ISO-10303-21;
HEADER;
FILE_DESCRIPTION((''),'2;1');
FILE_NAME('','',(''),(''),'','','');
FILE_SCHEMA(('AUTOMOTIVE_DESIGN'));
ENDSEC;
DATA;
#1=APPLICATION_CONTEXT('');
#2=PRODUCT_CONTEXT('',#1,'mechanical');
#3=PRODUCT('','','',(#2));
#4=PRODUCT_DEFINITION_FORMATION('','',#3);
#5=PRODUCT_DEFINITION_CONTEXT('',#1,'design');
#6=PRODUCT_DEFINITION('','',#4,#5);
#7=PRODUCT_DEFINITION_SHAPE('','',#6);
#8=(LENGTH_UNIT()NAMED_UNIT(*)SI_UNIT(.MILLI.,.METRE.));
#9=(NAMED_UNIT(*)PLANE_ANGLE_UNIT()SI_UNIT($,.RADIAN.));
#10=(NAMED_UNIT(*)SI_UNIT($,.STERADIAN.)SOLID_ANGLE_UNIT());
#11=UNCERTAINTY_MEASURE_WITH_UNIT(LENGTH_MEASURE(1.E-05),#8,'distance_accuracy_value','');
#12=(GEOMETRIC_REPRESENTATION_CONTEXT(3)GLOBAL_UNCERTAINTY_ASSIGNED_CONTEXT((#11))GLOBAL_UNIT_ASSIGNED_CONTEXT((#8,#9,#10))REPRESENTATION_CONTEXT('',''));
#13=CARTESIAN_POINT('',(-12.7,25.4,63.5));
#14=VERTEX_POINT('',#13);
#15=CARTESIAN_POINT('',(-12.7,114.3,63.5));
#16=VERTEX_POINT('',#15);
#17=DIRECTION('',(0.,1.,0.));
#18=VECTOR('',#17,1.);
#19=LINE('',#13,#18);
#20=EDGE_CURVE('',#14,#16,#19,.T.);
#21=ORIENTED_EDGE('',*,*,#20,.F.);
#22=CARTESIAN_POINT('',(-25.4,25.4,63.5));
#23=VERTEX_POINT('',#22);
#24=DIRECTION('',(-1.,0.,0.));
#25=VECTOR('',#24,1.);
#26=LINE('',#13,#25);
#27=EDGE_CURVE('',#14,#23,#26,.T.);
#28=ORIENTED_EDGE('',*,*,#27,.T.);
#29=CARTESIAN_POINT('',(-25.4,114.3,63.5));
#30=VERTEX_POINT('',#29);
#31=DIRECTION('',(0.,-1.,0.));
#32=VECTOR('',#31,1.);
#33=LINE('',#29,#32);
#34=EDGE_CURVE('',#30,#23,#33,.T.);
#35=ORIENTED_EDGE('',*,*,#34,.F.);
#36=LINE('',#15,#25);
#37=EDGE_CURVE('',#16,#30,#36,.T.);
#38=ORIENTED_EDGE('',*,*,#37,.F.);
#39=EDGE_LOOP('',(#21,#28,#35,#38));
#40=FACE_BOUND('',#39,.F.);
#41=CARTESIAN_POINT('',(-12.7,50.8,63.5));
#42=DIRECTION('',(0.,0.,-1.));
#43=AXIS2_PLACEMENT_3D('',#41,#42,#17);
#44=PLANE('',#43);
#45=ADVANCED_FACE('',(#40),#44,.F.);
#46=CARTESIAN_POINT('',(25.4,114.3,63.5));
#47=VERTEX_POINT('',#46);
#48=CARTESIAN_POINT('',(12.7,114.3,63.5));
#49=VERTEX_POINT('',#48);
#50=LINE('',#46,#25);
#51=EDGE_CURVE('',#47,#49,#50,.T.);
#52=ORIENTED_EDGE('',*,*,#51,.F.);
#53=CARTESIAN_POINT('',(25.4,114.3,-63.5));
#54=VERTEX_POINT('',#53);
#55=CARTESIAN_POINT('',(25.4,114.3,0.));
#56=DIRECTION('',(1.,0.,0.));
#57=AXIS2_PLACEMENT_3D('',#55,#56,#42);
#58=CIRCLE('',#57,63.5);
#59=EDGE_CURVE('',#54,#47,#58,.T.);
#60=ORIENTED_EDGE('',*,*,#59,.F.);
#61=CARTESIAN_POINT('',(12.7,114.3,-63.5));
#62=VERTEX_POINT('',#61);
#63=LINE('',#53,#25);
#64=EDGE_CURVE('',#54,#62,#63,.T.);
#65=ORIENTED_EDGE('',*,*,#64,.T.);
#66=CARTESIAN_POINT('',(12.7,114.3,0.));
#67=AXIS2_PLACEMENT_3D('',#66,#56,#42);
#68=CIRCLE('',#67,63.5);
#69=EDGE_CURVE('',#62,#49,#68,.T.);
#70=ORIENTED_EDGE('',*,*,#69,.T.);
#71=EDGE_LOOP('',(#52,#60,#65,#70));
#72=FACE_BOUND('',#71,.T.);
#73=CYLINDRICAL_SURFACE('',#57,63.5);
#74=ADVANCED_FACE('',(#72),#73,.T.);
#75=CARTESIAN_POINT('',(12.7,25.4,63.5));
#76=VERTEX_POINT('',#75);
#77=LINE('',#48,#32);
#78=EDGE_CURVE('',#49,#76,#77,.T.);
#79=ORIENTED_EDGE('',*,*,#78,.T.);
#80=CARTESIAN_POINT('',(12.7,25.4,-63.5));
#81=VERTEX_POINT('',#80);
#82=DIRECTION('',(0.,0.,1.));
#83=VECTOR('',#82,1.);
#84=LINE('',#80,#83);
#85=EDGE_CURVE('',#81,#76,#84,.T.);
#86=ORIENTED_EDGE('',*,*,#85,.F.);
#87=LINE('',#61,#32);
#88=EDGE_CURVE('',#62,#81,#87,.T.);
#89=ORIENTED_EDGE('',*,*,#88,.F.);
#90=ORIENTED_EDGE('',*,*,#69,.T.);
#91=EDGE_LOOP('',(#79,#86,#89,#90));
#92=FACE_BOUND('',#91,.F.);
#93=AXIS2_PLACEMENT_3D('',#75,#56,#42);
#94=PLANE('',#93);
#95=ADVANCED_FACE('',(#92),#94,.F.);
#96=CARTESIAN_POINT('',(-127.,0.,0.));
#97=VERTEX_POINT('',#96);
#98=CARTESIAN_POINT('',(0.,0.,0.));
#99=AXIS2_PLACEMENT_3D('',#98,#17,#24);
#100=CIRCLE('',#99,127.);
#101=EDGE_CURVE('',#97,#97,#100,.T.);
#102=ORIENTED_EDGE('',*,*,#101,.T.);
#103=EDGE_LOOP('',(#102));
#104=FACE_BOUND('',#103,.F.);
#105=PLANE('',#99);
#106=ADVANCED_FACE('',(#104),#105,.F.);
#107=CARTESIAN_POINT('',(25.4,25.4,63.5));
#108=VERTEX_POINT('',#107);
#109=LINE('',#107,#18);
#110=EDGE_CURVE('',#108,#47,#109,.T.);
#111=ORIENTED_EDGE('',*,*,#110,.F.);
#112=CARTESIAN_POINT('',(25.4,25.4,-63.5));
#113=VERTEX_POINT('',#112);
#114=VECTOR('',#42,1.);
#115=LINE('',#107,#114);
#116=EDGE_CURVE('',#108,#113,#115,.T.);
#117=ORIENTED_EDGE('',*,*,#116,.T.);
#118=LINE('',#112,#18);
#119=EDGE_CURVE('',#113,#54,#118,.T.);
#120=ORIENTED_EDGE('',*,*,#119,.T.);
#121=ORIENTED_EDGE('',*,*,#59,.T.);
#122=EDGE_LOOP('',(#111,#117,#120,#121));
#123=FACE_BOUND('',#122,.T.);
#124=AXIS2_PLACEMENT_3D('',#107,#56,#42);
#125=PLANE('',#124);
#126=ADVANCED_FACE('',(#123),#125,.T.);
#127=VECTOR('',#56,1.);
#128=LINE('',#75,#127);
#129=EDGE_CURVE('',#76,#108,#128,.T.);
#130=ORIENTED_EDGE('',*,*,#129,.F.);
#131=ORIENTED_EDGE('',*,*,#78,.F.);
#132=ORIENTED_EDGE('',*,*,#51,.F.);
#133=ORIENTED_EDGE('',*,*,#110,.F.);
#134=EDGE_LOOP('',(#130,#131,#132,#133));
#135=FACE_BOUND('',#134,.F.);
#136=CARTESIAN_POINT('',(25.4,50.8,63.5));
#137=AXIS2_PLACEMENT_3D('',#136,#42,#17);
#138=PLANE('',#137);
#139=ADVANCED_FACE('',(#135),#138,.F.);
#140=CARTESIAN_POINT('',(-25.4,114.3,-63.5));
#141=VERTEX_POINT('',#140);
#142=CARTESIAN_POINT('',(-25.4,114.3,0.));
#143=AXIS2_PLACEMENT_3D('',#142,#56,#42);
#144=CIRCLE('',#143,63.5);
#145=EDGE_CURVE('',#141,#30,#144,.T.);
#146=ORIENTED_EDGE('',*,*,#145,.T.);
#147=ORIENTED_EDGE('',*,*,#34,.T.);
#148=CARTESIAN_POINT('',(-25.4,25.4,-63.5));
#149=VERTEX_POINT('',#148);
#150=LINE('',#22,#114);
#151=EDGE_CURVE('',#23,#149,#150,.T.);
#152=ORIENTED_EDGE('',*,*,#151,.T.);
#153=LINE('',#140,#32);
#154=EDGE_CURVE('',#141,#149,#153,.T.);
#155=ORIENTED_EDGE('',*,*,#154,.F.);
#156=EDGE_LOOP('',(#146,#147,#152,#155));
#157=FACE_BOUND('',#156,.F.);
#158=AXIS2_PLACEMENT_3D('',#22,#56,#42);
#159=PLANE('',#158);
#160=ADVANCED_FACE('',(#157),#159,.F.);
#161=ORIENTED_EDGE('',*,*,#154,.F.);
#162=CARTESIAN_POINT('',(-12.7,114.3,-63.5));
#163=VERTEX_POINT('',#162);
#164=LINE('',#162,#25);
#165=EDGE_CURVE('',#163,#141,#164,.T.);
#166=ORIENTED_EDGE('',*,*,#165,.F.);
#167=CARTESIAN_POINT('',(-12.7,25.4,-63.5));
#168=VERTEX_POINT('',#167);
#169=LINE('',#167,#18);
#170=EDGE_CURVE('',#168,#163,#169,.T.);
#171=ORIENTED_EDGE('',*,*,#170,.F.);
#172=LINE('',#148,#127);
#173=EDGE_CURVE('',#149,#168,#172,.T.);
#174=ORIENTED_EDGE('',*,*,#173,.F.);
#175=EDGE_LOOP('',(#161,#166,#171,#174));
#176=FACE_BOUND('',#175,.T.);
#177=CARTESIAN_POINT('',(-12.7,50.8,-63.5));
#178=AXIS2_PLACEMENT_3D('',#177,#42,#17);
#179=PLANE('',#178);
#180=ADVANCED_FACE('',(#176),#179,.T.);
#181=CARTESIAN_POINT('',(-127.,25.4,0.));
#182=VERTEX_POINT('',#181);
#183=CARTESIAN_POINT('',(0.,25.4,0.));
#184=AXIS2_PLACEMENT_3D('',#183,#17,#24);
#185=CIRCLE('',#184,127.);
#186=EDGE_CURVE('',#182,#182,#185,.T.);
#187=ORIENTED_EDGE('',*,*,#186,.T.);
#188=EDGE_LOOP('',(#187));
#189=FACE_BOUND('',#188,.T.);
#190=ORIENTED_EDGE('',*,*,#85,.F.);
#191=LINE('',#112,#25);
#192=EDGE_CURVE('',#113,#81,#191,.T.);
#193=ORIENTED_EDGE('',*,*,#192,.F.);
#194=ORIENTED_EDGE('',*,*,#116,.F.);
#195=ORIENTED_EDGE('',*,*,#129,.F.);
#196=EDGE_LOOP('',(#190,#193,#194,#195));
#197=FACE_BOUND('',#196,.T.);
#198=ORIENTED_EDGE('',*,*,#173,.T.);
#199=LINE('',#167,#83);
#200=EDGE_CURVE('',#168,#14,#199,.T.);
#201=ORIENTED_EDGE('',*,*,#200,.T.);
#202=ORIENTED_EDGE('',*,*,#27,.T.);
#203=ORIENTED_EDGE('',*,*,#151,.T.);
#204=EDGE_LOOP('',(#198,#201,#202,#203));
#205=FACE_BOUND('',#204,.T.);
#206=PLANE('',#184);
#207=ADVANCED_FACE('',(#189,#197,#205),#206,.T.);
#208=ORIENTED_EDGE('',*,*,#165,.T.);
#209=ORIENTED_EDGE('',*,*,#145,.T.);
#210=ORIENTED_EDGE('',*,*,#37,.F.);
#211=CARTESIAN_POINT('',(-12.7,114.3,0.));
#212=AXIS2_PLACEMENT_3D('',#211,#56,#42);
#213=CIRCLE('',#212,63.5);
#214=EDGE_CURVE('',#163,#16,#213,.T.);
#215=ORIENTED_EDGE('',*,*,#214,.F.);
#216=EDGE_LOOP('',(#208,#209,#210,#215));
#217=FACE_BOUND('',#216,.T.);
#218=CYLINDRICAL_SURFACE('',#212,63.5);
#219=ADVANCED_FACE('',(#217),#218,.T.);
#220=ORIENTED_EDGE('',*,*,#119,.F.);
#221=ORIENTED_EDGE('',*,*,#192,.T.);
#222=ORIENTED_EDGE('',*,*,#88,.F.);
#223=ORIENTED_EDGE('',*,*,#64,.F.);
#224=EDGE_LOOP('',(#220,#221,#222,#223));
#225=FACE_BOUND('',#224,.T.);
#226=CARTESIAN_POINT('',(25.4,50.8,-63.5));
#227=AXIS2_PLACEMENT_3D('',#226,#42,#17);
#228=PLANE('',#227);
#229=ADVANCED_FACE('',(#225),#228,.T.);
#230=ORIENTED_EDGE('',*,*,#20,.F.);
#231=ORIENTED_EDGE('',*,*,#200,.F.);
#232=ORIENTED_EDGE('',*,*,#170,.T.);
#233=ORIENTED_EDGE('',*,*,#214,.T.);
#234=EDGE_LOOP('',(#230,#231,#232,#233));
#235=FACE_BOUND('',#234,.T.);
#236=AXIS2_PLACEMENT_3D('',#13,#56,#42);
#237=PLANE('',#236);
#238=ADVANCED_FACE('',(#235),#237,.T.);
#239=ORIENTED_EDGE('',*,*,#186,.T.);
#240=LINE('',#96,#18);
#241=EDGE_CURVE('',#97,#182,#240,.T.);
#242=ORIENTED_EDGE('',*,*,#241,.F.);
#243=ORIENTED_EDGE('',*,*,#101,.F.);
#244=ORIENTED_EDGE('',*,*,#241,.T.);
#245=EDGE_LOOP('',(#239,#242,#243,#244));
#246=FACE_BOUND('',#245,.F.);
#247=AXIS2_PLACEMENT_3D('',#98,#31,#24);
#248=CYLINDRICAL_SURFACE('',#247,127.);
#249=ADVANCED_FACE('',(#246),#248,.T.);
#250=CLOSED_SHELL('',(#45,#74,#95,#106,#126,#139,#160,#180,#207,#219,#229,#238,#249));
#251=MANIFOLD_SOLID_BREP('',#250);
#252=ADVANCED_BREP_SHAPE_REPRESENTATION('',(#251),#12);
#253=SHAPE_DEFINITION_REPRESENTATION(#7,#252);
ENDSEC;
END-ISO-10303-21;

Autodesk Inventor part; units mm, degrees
ref_plane "YZ Plane" through (0, 0, 0) normal (1, 0, 0) x (0, 1, 0)
ref_plane "XZ Plane" through (0, 0, 0) normal (0, 1, 0) x (-1, 0, 0)
ref_plane "XY Plane" through (0, 0, 0) normal (0, 0, 1) x (1, 0, 0)
sketch "Sketch1" plane through (0, 0, 0) normal (0, 1, 0) x (-1, 0, 0)
  circle A0 centre (0, 0) radius 127
  dimension "swivelBaseDiameter" = 254
extrude "Extrusion1" add sketch "Sketch1" along normal blind 25.4
sketch "Sketch2" plane through (0, 25.4, 0) normal (0, 1, 0) x (1, 0, 0)
  circle A0 centre (0, 0) radius 127 construction
  line L0 (0, -127) -> (0, 127) construction
  line L1 (-25.4, 63.5) -> (-12.7, 63.5)
  line L2 (-12.7, 63.5) -> (-12.7, -63.5)
  line L3 (-12.7, -63.5) -> (-25.4, -63.5)
  line L4 (-25.4, -63.5) -> (-25.4, 63.5)
  line L5 (-127, 0) -> (127, 0) construction
  line L6 (25.4, 63.5) -> (12.7, 63.5)
  line L7 (12.7, 63.5) -> (12.7, -63.5)
  line L8 (12.7, -63.5) -> (25.4, -63.5)
  line L9 (25.4, -63.5) -> (25.4, 63.5)
  point P0 (-12.7, 0)
  point P1 (12.7, 0)
  dimension "armConnectorSeparation" = 12.7
  dimension "armConnectorsThickness" = 12.7
  dimension "armConnectorsSize" = 127
extrude "Extrusion2" add sketch "Sketch2" along normal blind 25.4
sketch "Sketch3" plane through (25.4, 25.4, 63.5) normal (1, 0, 0) x (0, 0, -1)
  circle A0 centre (63.5, 88.9) radius 63.5 construction
  line L0 (127, 25.4) -> (127, 88.9)
  line L1 (0, 25.4) -> (0, 88.9)
  arc A1 (127, 88.9) -> (0, 88.9) centre (63.5, 88.9) ccw
  line L2 (0, 25.4) -> (127, 25.4)
  point P0 (63.5, 25.4)
  dimension "d9" = 127
extrude "Extrusion3" add sketch "Sketch3" against normal up to surface (12.7 mm away)
extrude "Extrusion4" add sketch "Sketch3" against normal up to surface (12.7 mm away) from surface at -38.1
equation "\"armConnectorSeparation\" = 0.5 * armThickness"
equation "\"armConnectorsSize\" = majorDiameter"
equation "\"d9\" = armConnectorsSize"
equation "\"d10\" = armConnectorsSize"
equation "\"armThickness\" = 25.4"
equation "\"majorDiameter\" = 127"
properties part number "Base-Arm Connector"
